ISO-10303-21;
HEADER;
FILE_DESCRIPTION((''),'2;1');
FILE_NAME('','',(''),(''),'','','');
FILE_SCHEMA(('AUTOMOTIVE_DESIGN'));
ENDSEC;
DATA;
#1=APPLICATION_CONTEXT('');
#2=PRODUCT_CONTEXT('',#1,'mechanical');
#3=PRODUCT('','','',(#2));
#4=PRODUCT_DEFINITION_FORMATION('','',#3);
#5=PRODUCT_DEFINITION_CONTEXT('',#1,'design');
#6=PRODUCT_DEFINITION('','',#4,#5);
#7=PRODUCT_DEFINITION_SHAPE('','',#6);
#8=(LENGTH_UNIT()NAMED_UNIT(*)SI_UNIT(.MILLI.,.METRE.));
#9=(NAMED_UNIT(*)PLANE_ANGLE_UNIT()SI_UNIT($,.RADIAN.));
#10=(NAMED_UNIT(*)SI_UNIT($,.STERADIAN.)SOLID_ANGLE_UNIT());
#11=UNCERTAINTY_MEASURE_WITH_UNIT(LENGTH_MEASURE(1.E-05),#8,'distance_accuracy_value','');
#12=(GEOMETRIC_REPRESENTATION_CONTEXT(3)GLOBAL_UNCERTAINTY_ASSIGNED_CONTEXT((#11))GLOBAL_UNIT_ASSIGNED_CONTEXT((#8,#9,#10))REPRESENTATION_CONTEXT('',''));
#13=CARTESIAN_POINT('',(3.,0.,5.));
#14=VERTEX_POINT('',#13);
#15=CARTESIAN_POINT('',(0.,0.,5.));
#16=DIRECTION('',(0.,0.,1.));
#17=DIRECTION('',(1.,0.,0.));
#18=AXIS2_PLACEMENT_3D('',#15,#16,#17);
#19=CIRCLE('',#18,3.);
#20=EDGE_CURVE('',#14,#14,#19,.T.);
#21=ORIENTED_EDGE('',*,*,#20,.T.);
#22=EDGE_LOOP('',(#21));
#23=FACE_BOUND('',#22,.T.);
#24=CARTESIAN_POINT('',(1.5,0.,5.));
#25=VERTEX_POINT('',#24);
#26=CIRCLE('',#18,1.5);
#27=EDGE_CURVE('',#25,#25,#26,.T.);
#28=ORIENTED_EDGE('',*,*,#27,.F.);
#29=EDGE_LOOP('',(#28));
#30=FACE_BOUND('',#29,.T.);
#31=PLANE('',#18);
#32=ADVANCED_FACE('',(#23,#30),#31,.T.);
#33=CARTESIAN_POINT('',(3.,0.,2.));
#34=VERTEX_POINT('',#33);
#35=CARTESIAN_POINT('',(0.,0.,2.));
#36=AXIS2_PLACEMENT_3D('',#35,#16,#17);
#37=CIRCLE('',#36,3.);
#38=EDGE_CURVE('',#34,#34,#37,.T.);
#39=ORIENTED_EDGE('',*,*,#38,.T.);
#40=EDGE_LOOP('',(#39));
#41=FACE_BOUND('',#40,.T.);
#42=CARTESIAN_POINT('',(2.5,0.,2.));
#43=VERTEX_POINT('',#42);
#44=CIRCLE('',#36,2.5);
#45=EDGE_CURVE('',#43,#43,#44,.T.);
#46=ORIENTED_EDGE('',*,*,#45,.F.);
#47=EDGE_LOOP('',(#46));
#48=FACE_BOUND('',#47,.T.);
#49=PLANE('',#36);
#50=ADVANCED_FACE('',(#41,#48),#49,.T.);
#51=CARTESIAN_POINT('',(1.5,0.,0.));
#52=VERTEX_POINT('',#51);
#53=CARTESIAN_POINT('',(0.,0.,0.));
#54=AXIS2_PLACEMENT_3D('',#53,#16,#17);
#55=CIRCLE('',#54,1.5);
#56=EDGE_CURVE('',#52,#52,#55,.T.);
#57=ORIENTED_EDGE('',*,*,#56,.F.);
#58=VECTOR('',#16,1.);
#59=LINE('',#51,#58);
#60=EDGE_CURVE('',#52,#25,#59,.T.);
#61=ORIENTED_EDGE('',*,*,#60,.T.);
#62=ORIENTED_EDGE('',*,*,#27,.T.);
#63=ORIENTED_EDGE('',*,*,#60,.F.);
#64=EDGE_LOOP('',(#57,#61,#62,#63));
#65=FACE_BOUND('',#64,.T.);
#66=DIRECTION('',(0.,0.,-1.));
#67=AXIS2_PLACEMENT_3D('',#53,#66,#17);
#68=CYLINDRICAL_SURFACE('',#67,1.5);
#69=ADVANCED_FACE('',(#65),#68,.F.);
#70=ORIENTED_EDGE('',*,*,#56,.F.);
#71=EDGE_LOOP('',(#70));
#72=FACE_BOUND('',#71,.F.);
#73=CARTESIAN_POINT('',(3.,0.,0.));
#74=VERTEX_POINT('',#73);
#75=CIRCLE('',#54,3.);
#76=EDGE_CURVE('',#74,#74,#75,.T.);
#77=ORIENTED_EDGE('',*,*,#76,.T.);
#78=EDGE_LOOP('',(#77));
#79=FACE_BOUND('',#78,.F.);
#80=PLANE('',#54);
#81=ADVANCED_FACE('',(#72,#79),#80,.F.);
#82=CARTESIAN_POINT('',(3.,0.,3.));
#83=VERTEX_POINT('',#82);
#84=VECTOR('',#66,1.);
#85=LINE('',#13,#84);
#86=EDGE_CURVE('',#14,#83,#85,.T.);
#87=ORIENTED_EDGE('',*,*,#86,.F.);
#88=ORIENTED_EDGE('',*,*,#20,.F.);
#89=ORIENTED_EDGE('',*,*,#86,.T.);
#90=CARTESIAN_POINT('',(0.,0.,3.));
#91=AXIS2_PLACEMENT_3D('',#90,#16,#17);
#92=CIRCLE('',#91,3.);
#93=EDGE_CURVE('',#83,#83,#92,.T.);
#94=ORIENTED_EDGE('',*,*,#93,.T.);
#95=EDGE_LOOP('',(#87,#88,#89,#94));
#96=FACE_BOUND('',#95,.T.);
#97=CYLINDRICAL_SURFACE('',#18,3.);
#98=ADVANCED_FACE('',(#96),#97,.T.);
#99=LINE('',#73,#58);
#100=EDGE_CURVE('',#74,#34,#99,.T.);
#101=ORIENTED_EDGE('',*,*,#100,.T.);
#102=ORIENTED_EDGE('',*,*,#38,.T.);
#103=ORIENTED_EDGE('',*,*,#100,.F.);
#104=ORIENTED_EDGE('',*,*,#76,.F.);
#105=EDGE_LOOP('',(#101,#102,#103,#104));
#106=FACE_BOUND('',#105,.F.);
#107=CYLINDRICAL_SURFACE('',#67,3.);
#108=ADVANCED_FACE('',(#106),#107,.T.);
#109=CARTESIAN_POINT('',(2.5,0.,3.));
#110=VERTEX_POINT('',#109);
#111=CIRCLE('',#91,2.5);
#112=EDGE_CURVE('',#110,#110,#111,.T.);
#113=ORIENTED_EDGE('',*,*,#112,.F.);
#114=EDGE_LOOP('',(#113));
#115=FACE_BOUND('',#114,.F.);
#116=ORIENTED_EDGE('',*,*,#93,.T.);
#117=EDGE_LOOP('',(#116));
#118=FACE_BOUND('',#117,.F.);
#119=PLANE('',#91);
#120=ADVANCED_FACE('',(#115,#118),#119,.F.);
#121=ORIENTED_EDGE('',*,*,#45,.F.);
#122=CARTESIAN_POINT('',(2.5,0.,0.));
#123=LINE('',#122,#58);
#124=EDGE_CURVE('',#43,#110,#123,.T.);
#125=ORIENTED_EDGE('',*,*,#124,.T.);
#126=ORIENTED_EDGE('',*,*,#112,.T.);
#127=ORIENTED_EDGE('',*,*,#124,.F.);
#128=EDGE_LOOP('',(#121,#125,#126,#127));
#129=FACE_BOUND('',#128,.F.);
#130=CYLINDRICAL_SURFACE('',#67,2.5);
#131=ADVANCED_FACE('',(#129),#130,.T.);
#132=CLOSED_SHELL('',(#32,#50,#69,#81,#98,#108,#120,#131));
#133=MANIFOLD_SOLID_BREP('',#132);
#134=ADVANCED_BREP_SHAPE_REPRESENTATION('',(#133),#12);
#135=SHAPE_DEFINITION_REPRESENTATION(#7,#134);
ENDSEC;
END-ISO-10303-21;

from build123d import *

# Parameters (mm, degrees)
F0_R     = 2.5
F0_R_2   = 1.5
F1_DEPTH = 5
F0_R_3   = 3
F2_DEPTH = 2
F3_R     = 3
F3_R_2   = 2.5
F4_DEPTH = 2


with BuildPart() as f1:
    # F0 (on Top) → F1 (new body)
    with BuildSketch(Plane.XY):
        Circle(F0_R)
        Circle(F0_R_2, mode=Mode.SUBTRACT)
    extrude(amount=F1_DEPTH)

    # F0 (on Top) → F2 (join)
    with BuildSketch(Plane.XY):
        Circle(F0_R_3)
        Circle(F0_R, mode=Mode.SUBTRACT)
    extrude(amount=F2_DEPTH)

    # F3 (on face) → F4 (join)
    with BuildSketch(Plane.XY.offset(5)):
        Circle(F3_R)
        Circle(F3_R_2, mode=Mode.SUBTRACT)
    extrude(amount=-F4_DEPTH)


solid = f1.part
